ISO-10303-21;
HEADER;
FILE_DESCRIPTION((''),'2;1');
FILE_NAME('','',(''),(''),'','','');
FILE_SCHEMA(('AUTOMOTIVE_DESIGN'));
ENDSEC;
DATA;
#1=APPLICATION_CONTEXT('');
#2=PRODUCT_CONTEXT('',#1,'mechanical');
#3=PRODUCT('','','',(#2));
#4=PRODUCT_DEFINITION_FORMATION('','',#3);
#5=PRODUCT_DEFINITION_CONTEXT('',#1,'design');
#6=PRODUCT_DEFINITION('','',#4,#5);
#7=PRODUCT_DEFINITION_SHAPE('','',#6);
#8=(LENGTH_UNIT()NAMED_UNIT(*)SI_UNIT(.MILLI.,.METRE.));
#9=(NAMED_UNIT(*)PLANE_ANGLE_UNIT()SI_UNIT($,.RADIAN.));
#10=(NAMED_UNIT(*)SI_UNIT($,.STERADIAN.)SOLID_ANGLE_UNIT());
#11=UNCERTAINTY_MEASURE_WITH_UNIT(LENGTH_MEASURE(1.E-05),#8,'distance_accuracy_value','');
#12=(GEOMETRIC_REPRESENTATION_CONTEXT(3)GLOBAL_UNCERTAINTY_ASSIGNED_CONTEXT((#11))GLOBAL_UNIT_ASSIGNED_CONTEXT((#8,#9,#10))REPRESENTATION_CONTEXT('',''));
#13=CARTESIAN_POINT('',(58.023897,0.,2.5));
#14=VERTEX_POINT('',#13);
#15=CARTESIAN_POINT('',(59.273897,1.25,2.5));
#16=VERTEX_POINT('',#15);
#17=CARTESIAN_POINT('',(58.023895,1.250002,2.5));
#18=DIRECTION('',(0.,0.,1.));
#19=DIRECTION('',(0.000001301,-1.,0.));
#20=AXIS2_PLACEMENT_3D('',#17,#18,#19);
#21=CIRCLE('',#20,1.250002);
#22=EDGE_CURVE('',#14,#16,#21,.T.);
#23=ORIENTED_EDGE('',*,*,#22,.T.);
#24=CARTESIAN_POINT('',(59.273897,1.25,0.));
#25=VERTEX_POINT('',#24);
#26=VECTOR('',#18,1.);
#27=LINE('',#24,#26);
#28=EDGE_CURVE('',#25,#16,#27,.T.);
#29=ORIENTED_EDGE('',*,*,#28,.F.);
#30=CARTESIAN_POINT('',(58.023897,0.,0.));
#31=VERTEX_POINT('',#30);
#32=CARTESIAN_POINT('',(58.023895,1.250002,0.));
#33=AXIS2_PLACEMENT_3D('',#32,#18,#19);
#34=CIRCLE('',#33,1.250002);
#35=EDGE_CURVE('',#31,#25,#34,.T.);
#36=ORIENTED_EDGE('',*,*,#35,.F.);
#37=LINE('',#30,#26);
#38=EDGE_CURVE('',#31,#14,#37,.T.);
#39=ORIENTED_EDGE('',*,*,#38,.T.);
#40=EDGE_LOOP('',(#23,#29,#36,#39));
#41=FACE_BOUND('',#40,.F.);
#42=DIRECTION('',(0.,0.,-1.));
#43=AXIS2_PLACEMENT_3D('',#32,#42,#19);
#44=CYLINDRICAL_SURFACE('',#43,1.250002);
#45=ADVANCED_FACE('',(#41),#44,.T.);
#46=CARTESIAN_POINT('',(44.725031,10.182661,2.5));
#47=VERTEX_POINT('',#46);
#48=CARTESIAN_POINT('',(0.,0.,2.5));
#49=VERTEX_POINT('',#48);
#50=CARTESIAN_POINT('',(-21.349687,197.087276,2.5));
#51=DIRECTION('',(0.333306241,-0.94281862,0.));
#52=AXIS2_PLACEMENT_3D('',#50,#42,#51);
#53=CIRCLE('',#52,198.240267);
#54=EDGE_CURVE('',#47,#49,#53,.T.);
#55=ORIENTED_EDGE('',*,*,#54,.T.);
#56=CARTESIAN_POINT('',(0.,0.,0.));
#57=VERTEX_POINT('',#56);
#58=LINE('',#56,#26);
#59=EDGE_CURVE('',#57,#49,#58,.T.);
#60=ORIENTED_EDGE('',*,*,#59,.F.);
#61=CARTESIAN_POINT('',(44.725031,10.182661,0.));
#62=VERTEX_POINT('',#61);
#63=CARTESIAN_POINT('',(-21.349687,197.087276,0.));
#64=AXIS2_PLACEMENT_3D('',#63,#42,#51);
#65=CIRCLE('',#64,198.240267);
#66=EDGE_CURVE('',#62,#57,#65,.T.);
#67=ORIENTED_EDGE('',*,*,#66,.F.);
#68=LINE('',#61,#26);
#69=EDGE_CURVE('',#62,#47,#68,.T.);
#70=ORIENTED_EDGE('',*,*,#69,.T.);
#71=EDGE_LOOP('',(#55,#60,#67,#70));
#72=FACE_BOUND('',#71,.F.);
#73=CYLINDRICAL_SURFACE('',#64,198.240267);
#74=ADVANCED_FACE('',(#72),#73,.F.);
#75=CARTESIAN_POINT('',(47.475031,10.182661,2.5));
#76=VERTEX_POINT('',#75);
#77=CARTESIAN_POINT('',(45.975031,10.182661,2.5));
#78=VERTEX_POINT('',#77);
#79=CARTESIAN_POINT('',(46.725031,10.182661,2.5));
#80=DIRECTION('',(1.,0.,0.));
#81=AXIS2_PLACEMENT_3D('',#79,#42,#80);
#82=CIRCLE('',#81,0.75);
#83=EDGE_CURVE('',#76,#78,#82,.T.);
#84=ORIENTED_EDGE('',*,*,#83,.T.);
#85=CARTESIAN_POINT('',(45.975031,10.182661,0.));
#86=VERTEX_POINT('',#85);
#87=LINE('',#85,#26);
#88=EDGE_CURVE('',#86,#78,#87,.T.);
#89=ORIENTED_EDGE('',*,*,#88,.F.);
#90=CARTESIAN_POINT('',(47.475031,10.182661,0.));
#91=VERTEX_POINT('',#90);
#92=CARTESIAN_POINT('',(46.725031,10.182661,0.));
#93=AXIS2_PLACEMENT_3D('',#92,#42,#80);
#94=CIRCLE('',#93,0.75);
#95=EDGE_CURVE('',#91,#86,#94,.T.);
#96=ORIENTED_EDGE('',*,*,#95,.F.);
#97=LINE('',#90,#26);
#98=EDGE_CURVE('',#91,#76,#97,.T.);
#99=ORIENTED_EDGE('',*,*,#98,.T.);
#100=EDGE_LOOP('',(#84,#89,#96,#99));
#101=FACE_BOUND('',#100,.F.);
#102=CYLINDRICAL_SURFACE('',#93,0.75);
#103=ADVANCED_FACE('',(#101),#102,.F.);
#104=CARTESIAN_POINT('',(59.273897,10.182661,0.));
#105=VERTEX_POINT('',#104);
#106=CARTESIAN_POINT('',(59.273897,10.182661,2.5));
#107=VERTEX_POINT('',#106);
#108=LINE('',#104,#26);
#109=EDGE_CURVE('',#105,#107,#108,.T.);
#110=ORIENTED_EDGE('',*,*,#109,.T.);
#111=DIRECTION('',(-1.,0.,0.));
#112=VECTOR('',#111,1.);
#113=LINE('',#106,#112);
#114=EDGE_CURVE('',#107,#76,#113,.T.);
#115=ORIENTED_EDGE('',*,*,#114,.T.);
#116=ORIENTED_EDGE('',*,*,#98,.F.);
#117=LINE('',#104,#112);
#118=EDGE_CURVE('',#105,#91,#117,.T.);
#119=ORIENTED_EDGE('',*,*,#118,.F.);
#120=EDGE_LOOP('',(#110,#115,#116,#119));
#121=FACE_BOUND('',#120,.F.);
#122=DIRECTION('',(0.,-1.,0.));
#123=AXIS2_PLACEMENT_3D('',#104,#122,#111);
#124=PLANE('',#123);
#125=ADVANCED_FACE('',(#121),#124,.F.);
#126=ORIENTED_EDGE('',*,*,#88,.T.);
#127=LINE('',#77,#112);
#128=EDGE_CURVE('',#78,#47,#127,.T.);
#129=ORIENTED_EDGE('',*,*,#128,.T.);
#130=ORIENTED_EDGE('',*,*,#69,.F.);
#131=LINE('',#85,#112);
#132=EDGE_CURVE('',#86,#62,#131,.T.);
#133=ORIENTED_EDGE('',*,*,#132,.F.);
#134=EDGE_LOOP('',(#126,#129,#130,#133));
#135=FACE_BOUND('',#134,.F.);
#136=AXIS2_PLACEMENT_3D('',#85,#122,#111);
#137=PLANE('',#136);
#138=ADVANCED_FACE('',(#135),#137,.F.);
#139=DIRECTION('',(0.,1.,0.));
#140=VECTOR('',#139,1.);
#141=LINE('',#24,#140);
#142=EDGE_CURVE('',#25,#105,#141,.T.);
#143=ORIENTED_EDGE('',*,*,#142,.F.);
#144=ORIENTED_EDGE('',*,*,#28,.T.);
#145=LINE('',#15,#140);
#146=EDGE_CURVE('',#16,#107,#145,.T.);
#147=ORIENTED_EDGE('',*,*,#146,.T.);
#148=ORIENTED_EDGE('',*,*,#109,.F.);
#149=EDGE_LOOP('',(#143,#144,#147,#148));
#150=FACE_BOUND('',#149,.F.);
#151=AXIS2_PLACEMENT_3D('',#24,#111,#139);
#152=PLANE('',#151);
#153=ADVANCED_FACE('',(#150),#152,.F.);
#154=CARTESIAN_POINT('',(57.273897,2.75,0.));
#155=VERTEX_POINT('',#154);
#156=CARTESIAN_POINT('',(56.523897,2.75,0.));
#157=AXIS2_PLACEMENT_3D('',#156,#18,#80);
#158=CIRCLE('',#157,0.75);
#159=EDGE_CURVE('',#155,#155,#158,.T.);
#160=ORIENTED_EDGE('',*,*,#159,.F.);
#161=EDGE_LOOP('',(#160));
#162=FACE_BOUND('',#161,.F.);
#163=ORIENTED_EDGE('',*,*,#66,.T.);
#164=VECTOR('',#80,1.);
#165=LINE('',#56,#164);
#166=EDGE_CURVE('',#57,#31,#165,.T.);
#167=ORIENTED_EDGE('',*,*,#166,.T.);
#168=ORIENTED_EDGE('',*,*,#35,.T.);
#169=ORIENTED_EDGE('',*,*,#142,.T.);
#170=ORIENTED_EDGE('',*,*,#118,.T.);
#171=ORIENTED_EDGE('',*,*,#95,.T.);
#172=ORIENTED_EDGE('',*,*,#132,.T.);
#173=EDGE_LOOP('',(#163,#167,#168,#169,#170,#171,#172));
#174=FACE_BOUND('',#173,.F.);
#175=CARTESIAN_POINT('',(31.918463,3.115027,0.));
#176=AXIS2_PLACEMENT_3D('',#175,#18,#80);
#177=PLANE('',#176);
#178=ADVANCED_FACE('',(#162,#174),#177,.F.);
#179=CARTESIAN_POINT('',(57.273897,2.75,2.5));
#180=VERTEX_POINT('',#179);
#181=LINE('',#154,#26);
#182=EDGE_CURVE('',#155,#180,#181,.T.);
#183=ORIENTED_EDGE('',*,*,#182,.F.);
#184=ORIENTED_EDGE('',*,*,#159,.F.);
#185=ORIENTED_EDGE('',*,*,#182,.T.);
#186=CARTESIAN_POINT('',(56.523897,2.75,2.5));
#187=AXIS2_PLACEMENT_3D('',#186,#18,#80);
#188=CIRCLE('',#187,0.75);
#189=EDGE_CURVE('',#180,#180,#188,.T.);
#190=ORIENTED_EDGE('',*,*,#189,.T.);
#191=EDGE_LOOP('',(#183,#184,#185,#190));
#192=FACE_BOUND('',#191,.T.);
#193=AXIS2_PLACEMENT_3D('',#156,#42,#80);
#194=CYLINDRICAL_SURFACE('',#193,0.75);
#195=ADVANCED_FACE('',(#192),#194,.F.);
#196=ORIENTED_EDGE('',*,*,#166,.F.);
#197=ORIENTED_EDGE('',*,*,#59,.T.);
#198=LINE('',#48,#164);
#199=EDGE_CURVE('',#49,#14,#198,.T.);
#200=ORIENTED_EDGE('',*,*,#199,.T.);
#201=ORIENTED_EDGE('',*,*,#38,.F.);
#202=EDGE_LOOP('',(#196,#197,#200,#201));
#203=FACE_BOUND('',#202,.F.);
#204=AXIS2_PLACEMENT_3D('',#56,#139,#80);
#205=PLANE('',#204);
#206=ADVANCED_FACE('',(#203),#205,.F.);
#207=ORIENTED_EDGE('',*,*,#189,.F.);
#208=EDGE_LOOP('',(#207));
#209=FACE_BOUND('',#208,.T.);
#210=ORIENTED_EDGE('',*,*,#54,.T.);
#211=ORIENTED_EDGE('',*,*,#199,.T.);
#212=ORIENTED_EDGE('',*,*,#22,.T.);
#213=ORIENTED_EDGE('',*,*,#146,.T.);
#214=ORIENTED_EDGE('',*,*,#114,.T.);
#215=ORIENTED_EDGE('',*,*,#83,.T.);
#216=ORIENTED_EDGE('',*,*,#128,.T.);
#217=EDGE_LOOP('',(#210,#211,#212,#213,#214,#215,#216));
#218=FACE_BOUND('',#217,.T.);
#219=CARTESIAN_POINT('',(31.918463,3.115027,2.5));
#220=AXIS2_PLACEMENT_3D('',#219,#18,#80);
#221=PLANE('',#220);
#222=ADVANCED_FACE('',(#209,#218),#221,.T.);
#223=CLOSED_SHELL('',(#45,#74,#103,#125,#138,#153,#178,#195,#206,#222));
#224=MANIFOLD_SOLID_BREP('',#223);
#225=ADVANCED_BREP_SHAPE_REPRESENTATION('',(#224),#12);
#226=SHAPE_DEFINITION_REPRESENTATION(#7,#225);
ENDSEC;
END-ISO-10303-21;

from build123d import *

# Parameters (mm, degrees)
F0_R     = 0.75
F1_DEPTH = 2.5


with BuildPart() as f1:
    # F0 (on Top) → F1 (new body)
    with BuildSketch(Plane.XY):
        with BuildLine():
            ThreePointArc((44.725031, 10.182661), (22.65802, 3.793393), (0, 0))
            Line((0, 0), (58.023897, 0))
            ThreePointArc((58.023897, 0), (58.90778, 0.366117), (59.273897, 1.25))
            Line((59.273897, 1.25), (59.273897, 10.182661))
            Line((59.273897, 10.182661), (53.773897, 10.182661))
            Line((53.773897, 10.182661), (47.475031, 10.182661))
            ThreePointArc((47.475031, 10.182661), (46.725031, 9.432661), (45.975031, 10.182661))
            Line((45.975031, 10.182661), (44.725031, 10.182661))
        make_face()
        with Locations((56.523897, 2.75)):
            Circle(F0_R, mode=Mode.SUBTRACT)
    extrude(amount=F1_DEPTH)


solid = f1.part
